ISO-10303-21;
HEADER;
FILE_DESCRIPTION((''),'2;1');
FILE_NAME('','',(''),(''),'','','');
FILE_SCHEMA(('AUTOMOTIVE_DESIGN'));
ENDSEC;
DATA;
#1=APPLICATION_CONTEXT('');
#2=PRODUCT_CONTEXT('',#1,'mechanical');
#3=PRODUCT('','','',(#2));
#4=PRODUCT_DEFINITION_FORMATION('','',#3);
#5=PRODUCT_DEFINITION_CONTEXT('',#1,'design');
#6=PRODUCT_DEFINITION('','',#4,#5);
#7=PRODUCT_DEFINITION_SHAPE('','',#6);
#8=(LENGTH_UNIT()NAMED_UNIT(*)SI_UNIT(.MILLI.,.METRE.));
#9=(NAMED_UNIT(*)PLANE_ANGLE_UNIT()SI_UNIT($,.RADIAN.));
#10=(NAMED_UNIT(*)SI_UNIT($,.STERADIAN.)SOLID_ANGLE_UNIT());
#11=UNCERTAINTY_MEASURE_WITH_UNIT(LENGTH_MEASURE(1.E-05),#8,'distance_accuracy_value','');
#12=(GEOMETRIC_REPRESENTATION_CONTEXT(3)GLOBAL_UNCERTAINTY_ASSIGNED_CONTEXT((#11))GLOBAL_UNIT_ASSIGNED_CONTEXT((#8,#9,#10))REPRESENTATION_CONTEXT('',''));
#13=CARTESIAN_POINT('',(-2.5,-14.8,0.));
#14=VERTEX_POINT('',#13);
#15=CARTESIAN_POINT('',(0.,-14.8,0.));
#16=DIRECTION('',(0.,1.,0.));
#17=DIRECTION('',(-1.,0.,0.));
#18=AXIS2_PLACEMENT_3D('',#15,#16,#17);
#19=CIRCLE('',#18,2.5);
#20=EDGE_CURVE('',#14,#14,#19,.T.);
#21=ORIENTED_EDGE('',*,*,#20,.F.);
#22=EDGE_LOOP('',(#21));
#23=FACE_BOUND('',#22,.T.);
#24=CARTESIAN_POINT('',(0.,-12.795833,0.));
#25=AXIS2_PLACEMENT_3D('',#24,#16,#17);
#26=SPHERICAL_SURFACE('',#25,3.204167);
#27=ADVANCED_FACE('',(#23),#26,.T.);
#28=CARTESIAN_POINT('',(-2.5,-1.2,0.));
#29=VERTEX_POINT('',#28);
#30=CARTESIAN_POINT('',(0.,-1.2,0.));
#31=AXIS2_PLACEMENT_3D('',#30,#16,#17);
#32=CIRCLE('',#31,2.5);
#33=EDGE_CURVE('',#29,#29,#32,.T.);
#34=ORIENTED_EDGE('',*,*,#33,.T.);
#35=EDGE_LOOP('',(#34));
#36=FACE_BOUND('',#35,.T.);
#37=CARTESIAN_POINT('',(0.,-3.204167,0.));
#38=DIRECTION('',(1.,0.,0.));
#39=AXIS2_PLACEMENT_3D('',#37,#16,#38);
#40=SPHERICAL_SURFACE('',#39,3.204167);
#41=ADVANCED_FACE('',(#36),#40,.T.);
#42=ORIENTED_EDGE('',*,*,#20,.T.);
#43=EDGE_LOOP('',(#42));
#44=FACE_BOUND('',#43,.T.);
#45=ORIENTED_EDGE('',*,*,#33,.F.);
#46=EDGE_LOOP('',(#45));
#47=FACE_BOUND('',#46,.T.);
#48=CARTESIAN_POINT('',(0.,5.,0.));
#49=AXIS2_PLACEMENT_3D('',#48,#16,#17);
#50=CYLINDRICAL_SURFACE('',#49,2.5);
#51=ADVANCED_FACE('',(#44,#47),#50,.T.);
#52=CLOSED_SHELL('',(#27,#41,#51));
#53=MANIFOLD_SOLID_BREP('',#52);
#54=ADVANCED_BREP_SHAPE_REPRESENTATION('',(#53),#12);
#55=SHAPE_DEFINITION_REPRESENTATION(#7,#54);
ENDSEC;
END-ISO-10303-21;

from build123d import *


with BuildPart() as part:
    # Sketch1 → Revolve1 (revolve)
    with BuildSketch(Plane.XY, mode=Mode.PRIVATE) as revolve1_sk:
        with BuildLine():
            Line((2.5, -1.2), (2.5, -14.8))
            ThreePointArc((2.5, -14.8), (1.386542462, -15.684463463), (0, -16))
            Line((0, -16), (0, 0))
            ThreePointArc((0, 0), (1.386542462, -0.315536537), (2.5, -1.2))
        make_face()
    revolve(revolve1_sk.sketch.rotate(Axis((0, 5, 0), (0, -1, 0)), 180), axis=Axis((0, 5, 0), (0, -1, 0)))


solid = part.part
